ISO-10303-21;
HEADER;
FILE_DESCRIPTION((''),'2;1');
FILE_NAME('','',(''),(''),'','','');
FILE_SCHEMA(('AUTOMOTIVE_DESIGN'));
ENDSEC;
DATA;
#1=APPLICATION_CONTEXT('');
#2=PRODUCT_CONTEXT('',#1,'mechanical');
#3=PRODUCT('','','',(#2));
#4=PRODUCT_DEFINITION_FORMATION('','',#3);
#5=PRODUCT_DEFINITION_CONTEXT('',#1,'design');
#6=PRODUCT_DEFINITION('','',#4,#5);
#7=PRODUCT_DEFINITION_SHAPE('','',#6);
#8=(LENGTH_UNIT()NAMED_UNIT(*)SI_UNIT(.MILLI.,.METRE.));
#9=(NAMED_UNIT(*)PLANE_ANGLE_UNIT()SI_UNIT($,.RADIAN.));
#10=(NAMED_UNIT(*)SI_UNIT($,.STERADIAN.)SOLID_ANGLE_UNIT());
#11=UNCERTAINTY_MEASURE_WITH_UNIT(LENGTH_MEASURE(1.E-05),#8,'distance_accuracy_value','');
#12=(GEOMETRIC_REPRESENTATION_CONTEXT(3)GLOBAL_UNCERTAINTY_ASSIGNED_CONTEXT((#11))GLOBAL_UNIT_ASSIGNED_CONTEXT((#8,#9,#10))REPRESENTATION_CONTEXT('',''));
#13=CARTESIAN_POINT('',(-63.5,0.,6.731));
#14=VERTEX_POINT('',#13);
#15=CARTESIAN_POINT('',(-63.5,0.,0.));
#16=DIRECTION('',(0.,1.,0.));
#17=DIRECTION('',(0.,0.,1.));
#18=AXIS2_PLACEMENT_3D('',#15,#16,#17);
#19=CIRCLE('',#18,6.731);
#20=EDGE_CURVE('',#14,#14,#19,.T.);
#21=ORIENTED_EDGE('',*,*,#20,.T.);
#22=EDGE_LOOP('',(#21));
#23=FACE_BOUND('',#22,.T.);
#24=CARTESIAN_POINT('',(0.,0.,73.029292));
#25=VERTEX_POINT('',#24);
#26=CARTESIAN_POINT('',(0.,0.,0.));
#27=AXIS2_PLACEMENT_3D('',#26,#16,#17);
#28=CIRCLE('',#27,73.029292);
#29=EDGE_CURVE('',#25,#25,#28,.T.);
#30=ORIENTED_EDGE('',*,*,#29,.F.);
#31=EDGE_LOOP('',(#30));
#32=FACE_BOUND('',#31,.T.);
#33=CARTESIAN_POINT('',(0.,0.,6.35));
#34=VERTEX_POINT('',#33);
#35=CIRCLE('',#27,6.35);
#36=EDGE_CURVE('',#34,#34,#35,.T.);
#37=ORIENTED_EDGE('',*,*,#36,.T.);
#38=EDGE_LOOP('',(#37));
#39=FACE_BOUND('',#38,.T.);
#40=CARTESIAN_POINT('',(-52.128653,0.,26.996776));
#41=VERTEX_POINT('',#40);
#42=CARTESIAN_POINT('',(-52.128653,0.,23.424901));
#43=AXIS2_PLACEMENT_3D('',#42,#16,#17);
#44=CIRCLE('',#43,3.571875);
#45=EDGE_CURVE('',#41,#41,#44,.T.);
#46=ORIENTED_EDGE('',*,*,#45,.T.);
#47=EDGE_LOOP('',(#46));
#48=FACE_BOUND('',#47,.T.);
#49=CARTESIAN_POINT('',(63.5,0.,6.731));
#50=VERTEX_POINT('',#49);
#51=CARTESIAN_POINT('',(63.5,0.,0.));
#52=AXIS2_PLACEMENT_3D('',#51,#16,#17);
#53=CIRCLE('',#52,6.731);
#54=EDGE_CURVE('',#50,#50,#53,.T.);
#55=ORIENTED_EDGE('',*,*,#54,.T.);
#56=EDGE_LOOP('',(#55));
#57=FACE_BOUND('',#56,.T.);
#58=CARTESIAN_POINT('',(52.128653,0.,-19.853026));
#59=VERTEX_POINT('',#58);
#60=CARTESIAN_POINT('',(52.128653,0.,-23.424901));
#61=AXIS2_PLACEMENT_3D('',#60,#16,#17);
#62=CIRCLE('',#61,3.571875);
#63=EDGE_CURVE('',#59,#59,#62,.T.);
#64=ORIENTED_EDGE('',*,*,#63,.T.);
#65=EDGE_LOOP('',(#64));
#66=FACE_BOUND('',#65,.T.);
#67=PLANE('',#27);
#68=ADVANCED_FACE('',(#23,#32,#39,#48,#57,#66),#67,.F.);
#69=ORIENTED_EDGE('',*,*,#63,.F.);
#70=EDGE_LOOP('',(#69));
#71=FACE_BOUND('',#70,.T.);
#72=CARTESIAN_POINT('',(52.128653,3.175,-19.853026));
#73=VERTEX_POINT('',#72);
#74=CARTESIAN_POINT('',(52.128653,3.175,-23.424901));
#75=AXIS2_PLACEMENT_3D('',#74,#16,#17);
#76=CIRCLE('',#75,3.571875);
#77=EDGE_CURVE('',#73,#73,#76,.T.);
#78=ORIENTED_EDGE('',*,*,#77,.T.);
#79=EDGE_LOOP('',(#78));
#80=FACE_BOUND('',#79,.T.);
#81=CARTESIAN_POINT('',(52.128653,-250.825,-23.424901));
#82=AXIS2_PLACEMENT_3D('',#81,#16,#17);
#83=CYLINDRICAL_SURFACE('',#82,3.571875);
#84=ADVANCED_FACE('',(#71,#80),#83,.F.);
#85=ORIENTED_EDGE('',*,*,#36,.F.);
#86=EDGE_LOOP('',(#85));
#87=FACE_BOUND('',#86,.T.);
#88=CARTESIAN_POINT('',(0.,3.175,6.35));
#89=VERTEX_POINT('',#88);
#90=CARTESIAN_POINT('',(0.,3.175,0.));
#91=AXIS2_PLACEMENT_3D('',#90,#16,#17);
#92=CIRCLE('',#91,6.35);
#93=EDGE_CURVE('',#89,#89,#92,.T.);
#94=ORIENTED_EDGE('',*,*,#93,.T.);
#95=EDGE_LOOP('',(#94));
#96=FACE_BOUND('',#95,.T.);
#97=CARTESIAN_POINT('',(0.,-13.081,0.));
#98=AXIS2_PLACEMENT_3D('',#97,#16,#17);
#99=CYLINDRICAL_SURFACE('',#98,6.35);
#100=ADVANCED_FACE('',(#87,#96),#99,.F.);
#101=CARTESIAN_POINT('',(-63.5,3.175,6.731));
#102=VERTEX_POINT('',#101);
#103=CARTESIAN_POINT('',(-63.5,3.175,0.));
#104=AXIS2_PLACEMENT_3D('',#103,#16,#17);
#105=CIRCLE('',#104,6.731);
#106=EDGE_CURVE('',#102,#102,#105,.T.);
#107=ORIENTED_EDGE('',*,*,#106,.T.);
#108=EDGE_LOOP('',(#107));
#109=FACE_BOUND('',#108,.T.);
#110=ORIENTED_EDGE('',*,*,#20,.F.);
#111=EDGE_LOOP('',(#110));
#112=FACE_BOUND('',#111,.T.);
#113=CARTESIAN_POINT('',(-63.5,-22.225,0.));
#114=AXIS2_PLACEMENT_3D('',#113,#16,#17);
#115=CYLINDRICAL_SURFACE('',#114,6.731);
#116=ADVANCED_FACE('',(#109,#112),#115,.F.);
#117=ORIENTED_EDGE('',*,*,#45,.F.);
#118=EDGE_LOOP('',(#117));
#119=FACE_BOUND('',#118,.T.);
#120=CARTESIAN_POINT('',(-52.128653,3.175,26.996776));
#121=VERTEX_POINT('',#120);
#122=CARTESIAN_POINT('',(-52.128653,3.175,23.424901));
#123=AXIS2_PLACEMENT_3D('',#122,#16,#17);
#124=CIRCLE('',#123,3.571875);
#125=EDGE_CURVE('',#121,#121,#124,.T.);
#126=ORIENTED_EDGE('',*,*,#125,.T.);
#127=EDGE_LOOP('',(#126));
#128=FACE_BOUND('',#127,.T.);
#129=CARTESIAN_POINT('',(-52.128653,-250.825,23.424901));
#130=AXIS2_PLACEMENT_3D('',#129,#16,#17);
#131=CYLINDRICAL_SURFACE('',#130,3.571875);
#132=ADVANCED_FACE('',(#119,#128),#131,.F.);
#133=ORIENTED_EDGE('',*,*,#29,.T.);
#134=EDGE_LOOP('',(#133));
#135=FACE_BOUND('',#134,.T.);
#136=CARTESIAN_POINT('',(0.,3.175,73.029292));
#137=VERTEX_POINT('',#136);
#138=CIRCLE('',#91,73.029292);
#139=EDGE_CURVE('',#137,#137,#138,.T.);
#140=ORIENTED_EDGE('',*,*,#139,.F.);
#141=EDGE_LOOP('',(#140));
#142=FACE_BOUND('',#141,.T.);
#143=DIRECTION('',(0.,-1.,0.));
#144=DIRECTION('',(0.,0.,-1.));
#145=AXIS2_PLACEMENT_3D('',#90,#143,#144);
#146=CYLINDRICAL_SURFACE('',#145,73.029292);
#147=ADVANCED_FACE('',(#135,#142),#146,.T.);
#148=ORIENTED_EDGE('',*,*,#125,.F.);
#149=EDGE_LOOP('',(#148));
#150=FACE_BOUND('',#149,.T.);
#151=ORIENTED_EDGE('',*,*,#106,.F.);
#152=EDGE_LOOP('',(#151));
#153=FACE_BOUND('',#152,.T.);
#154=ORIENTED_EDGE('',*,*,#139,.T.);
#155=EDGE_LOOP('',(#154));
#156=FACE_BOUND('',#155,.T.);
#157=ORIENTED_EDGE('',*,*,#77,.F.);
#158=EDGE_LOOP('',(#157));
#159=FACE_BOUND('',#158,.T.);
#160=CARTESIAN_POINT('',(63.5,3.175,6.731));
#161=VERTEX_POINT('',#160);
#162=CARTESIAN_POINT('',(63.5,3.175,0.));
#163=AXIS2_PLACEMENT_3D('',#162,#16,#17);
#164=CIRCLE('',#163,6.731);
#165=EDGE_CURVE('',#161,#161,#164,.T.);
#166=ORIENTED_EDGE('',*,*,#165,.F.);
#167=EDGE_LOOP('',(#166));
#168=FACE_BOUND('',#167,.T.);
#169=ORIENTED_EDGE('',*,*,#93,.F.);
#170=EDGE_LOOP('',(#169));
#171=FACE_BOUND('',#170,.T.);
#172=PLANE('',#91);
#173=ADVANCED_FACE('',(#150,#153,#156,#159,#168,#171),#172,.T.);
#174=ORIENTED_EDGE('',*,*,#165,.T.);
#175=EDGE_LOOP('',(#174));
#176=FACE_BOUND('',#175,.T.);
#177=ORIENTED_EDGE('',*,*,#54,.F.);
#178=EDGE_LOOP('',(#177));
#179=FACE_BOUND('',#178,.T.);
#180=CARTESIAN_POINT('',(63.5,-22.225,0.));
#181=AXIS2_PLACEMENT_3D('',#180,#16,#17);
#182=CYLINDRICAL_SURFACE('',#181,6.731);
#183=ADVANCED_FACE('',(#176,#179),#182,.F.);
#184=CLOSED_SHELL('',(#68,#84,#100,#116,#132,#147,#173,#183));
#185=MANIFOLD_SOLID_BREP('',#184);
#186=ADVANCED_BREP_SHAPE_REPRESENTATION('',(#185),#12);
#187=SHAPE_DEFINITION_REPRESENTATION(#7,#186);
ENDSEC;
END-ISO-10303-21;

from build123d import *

# Parameters (mm, degrees)
SKETCH1_R           = 73.029292346
BOSS_EXTRUDE1_DEPTH = 3.175
SKETCH8_R           = 6.35
CUT_EXTRUDE3_DEPTH  = 16.256
SKETCH10_R          = 6.731
CUT_EXTRUDE4_DEPTH  = 25.4
SKETCH11_R          = 3.571875
CUT_EXTRUDE5_DEPTH  = 254


with BuildPart() as part:
    # Sketch1 → Boss-Extrude1 (new body)
    with BuildSketch(Plane(origin=(0, 0, 0), x_dir=(1, 0, 0), z_dir=(0, 1, 0))):
        with Locations(Location((0, 0, 0), (0, 0, 270))):
            Circle(SKETCH1_R)
    extrude(amount=BOSS_EXTRUDE1_DEPTH)

    # Sketch8 → Cut-Extrude3 (cut)
    with BuildSketch(Plane(origin=(0, 3.175, 0), x_dir=(1, 0, 0), z_dir=(0, 1, 0))):
        with Locations(Location((0, 0, 0), (0, 0, 270))):
            Circle(SKETCH8_R)
    extrude(amount=-CUT_EXTRUDE3_DEPTH, mode=Mode.SUBTRACT)

    # Sketch10 → Cut-Extrude4 (cut)
    with BuildSketch(Plane(origin=(0, 3.175, 0), x_dir=(1, 0, 0), z_dir=(0, 1, 0))):
        with Locations(Location((-63.5, 0, 0), (0, 0, 270))):
            Circle(SKETCH10_R)
        with Locations(Location((63.5, 0, 0), (0, 0, 270))):
            Circle(SKETCH10_R)
    extrude(amount=-CUT_EXTRUDE4_DEPTH, mode=Mode.SUBTRACT)

    # Sketch11 → Cut-Extrude5 (cut)
    with BuildSketch(Plane(origin=(0, 3.175, 0), x_dir=(1, 0, 0), z_dir=(0, 1, 0))):
        with Locations(Location((-52.128653384, -23.424901204, 0), (0, 0, 270))):
            Circle(SKETCH11_R)
        with Locations(Location((52.128653384, 23.424901204, 0), (0, 0, 270))):
            Circle(SKETCH11_R)
    extrude(amount=-CUT_EXTRUDE5_DEPTH, mode=Mode.SUBTRACT)


solid = part.part
